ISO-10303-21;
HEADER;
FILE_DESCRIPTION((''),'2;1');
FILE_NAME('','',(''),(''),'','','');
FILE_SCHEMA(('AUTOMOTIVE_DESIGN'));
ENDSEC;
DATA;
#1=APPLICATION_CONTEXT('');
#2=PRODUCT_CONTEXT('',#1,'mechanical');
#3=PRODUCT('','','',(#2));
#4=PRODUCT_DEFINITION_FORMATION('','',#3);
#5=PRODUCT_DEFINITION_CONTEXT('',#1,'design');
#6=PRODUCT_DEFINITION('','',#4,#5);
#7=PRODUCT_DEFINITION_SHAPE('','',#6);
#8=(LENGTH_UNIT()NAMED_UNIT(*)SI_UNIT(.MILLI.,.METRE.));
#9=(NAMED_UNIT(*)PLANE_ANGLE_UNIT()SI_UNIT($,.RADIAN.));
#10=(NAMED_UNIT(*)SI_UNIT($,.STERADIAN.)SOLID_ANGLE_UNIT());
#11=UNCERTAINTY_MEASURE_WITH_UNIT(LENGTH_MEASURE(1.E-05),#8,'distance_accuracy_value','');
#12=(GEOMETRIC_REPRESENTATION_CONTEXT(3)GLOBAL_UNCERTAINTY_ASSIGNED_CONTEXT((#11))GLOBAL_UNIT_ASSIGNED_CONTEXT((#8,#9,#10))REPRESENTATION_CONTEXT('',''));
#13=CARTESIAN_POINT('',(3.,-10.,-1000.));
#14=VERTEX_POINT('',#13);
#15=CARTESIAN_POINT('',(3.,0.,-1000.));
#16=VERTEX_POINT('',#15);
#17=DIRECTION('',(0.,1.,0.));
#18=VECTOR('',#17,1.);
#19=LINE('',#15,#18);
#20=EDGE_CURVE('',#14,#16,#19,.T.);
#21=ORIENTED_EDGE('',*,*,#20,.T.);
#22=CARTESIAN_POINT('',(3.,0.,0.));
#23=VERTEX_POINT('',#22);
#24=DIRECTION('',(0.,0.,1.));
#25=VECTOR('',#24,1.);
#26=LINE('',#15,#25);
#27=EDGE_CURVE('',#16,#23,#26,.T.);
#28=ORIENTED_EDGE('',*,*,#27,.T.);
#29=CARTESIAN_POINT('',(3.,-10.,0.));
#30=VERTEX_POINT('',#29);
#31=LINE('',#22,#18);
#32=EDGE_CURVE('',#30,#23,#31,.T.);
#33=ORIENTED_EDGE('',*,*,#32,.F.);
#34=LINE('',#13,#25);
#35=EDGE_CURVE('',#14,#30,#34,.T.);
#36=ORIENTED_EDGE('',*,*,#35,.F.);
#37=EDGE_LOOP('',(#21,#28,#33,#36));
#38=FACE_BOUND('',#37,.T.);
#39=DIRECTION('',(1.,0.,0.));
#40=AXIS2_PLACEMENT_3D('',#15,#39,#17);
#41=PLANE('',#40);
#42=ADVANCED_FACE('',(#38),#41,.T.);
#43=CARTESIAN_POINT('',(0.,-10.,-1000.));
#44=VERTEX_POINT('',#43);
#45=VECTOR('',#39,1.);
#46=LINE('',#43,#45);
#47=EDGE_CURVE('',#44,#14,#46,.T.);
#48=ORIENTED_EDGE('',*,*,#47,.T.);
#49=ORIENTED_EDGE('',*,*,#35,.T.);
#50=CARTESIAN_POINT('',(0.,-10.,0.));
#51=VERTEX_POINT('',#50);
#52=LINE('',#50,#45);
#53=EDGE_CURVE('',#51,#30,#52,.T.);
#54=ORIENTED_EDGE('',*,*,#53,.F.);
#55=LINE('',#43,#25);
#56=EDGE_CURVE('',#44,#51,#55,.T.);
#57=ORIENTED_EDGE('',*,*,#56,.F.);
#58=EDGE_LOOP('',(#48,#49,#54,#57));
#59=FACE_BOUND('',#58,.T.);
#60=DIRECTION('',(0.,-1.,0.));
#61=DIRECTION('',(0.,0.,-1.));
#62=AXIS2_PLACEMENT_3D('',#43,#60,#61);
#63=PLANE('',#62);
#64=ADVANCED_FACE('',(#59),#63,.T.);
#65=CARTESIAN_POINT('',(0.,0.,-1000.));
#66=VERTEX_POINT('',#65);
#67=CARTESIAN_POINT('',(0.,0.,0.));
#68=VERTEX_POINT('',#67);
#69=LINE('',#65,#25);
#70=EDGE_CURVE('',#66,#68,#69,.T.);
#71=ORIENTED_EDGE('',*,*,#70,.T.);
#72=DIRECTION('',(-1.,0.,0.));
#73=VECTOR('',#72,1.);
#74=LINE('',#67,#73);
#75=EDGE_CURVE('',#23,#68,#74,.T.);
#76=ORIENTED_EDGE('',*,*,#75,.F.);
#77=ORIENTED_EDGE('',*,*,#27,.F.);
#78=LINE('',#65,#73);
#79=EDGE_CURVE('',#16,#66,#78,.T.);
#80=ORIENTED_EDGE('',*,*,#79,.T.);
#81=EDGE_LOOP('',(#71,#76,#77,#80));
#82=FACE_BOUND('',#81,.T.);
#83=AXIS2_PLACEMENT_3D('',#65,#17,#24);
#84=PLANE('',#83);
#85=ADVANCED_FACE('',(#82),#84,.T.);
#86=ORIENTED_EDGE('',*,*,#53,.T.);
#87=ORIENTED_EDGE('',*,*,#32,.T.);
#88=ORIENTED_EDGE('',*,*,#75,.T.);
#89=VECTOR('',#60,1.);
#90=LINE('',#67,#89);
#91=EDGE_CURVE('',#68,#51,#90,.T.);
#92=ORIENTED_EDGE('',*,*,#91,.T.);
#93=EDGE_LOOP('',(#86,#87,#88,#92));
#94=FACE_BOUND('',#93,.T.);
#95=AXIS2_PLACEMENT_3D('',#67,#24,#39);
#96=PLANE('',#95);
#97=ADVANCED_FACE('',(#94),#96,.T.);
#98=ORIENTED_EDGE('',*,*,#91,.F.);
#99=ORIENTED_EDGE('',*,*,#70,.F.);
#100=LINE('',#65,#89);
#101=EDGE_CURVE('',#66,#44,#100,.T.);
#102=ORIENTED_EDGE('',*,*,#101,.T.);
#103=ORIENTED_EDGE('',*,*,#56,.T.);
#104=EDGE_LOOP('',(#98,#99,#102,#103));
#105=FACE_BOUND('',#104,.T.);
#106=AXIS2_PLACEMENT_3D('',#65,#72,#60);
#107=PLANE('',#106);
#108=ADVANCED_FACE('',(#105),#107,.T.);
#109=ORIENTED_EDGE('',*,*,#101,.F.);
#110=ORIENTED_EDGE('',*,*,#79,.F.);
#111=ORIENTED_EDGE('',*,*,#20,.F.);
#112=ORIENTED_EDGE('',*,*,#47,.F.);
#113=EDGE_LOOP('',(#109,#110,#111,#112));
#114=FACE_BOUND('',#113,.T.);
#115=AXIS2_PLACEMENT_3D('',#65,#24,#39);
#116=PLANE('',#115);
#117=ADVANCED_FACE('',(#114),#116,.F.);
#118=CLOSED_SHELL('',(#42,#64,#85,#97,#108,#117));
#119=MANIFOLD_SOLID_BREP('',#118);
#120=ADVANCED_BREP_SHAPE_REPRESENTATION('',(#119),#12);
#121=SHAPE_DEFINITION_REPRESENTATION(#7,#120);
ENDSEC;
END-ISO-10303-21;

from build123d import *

# Parameters (mm, degrees)
SKETCH2_W           = 3
SKETCH2_H           = 10
BOSS_EXTRUDE1_DEPTH = 1000


with BuildPart() as part:
    # Sketch2 → Boss-Extrude1 (new body)
    with BuildSketch(Plane.XY):
        with Locations((1.5, -5)):
            Rectangle(SKETCH2_W, SKETCH2_H)
    extrude(amount=-BOSS_EXTRUDE1_DEPTH)


solid = part.part
